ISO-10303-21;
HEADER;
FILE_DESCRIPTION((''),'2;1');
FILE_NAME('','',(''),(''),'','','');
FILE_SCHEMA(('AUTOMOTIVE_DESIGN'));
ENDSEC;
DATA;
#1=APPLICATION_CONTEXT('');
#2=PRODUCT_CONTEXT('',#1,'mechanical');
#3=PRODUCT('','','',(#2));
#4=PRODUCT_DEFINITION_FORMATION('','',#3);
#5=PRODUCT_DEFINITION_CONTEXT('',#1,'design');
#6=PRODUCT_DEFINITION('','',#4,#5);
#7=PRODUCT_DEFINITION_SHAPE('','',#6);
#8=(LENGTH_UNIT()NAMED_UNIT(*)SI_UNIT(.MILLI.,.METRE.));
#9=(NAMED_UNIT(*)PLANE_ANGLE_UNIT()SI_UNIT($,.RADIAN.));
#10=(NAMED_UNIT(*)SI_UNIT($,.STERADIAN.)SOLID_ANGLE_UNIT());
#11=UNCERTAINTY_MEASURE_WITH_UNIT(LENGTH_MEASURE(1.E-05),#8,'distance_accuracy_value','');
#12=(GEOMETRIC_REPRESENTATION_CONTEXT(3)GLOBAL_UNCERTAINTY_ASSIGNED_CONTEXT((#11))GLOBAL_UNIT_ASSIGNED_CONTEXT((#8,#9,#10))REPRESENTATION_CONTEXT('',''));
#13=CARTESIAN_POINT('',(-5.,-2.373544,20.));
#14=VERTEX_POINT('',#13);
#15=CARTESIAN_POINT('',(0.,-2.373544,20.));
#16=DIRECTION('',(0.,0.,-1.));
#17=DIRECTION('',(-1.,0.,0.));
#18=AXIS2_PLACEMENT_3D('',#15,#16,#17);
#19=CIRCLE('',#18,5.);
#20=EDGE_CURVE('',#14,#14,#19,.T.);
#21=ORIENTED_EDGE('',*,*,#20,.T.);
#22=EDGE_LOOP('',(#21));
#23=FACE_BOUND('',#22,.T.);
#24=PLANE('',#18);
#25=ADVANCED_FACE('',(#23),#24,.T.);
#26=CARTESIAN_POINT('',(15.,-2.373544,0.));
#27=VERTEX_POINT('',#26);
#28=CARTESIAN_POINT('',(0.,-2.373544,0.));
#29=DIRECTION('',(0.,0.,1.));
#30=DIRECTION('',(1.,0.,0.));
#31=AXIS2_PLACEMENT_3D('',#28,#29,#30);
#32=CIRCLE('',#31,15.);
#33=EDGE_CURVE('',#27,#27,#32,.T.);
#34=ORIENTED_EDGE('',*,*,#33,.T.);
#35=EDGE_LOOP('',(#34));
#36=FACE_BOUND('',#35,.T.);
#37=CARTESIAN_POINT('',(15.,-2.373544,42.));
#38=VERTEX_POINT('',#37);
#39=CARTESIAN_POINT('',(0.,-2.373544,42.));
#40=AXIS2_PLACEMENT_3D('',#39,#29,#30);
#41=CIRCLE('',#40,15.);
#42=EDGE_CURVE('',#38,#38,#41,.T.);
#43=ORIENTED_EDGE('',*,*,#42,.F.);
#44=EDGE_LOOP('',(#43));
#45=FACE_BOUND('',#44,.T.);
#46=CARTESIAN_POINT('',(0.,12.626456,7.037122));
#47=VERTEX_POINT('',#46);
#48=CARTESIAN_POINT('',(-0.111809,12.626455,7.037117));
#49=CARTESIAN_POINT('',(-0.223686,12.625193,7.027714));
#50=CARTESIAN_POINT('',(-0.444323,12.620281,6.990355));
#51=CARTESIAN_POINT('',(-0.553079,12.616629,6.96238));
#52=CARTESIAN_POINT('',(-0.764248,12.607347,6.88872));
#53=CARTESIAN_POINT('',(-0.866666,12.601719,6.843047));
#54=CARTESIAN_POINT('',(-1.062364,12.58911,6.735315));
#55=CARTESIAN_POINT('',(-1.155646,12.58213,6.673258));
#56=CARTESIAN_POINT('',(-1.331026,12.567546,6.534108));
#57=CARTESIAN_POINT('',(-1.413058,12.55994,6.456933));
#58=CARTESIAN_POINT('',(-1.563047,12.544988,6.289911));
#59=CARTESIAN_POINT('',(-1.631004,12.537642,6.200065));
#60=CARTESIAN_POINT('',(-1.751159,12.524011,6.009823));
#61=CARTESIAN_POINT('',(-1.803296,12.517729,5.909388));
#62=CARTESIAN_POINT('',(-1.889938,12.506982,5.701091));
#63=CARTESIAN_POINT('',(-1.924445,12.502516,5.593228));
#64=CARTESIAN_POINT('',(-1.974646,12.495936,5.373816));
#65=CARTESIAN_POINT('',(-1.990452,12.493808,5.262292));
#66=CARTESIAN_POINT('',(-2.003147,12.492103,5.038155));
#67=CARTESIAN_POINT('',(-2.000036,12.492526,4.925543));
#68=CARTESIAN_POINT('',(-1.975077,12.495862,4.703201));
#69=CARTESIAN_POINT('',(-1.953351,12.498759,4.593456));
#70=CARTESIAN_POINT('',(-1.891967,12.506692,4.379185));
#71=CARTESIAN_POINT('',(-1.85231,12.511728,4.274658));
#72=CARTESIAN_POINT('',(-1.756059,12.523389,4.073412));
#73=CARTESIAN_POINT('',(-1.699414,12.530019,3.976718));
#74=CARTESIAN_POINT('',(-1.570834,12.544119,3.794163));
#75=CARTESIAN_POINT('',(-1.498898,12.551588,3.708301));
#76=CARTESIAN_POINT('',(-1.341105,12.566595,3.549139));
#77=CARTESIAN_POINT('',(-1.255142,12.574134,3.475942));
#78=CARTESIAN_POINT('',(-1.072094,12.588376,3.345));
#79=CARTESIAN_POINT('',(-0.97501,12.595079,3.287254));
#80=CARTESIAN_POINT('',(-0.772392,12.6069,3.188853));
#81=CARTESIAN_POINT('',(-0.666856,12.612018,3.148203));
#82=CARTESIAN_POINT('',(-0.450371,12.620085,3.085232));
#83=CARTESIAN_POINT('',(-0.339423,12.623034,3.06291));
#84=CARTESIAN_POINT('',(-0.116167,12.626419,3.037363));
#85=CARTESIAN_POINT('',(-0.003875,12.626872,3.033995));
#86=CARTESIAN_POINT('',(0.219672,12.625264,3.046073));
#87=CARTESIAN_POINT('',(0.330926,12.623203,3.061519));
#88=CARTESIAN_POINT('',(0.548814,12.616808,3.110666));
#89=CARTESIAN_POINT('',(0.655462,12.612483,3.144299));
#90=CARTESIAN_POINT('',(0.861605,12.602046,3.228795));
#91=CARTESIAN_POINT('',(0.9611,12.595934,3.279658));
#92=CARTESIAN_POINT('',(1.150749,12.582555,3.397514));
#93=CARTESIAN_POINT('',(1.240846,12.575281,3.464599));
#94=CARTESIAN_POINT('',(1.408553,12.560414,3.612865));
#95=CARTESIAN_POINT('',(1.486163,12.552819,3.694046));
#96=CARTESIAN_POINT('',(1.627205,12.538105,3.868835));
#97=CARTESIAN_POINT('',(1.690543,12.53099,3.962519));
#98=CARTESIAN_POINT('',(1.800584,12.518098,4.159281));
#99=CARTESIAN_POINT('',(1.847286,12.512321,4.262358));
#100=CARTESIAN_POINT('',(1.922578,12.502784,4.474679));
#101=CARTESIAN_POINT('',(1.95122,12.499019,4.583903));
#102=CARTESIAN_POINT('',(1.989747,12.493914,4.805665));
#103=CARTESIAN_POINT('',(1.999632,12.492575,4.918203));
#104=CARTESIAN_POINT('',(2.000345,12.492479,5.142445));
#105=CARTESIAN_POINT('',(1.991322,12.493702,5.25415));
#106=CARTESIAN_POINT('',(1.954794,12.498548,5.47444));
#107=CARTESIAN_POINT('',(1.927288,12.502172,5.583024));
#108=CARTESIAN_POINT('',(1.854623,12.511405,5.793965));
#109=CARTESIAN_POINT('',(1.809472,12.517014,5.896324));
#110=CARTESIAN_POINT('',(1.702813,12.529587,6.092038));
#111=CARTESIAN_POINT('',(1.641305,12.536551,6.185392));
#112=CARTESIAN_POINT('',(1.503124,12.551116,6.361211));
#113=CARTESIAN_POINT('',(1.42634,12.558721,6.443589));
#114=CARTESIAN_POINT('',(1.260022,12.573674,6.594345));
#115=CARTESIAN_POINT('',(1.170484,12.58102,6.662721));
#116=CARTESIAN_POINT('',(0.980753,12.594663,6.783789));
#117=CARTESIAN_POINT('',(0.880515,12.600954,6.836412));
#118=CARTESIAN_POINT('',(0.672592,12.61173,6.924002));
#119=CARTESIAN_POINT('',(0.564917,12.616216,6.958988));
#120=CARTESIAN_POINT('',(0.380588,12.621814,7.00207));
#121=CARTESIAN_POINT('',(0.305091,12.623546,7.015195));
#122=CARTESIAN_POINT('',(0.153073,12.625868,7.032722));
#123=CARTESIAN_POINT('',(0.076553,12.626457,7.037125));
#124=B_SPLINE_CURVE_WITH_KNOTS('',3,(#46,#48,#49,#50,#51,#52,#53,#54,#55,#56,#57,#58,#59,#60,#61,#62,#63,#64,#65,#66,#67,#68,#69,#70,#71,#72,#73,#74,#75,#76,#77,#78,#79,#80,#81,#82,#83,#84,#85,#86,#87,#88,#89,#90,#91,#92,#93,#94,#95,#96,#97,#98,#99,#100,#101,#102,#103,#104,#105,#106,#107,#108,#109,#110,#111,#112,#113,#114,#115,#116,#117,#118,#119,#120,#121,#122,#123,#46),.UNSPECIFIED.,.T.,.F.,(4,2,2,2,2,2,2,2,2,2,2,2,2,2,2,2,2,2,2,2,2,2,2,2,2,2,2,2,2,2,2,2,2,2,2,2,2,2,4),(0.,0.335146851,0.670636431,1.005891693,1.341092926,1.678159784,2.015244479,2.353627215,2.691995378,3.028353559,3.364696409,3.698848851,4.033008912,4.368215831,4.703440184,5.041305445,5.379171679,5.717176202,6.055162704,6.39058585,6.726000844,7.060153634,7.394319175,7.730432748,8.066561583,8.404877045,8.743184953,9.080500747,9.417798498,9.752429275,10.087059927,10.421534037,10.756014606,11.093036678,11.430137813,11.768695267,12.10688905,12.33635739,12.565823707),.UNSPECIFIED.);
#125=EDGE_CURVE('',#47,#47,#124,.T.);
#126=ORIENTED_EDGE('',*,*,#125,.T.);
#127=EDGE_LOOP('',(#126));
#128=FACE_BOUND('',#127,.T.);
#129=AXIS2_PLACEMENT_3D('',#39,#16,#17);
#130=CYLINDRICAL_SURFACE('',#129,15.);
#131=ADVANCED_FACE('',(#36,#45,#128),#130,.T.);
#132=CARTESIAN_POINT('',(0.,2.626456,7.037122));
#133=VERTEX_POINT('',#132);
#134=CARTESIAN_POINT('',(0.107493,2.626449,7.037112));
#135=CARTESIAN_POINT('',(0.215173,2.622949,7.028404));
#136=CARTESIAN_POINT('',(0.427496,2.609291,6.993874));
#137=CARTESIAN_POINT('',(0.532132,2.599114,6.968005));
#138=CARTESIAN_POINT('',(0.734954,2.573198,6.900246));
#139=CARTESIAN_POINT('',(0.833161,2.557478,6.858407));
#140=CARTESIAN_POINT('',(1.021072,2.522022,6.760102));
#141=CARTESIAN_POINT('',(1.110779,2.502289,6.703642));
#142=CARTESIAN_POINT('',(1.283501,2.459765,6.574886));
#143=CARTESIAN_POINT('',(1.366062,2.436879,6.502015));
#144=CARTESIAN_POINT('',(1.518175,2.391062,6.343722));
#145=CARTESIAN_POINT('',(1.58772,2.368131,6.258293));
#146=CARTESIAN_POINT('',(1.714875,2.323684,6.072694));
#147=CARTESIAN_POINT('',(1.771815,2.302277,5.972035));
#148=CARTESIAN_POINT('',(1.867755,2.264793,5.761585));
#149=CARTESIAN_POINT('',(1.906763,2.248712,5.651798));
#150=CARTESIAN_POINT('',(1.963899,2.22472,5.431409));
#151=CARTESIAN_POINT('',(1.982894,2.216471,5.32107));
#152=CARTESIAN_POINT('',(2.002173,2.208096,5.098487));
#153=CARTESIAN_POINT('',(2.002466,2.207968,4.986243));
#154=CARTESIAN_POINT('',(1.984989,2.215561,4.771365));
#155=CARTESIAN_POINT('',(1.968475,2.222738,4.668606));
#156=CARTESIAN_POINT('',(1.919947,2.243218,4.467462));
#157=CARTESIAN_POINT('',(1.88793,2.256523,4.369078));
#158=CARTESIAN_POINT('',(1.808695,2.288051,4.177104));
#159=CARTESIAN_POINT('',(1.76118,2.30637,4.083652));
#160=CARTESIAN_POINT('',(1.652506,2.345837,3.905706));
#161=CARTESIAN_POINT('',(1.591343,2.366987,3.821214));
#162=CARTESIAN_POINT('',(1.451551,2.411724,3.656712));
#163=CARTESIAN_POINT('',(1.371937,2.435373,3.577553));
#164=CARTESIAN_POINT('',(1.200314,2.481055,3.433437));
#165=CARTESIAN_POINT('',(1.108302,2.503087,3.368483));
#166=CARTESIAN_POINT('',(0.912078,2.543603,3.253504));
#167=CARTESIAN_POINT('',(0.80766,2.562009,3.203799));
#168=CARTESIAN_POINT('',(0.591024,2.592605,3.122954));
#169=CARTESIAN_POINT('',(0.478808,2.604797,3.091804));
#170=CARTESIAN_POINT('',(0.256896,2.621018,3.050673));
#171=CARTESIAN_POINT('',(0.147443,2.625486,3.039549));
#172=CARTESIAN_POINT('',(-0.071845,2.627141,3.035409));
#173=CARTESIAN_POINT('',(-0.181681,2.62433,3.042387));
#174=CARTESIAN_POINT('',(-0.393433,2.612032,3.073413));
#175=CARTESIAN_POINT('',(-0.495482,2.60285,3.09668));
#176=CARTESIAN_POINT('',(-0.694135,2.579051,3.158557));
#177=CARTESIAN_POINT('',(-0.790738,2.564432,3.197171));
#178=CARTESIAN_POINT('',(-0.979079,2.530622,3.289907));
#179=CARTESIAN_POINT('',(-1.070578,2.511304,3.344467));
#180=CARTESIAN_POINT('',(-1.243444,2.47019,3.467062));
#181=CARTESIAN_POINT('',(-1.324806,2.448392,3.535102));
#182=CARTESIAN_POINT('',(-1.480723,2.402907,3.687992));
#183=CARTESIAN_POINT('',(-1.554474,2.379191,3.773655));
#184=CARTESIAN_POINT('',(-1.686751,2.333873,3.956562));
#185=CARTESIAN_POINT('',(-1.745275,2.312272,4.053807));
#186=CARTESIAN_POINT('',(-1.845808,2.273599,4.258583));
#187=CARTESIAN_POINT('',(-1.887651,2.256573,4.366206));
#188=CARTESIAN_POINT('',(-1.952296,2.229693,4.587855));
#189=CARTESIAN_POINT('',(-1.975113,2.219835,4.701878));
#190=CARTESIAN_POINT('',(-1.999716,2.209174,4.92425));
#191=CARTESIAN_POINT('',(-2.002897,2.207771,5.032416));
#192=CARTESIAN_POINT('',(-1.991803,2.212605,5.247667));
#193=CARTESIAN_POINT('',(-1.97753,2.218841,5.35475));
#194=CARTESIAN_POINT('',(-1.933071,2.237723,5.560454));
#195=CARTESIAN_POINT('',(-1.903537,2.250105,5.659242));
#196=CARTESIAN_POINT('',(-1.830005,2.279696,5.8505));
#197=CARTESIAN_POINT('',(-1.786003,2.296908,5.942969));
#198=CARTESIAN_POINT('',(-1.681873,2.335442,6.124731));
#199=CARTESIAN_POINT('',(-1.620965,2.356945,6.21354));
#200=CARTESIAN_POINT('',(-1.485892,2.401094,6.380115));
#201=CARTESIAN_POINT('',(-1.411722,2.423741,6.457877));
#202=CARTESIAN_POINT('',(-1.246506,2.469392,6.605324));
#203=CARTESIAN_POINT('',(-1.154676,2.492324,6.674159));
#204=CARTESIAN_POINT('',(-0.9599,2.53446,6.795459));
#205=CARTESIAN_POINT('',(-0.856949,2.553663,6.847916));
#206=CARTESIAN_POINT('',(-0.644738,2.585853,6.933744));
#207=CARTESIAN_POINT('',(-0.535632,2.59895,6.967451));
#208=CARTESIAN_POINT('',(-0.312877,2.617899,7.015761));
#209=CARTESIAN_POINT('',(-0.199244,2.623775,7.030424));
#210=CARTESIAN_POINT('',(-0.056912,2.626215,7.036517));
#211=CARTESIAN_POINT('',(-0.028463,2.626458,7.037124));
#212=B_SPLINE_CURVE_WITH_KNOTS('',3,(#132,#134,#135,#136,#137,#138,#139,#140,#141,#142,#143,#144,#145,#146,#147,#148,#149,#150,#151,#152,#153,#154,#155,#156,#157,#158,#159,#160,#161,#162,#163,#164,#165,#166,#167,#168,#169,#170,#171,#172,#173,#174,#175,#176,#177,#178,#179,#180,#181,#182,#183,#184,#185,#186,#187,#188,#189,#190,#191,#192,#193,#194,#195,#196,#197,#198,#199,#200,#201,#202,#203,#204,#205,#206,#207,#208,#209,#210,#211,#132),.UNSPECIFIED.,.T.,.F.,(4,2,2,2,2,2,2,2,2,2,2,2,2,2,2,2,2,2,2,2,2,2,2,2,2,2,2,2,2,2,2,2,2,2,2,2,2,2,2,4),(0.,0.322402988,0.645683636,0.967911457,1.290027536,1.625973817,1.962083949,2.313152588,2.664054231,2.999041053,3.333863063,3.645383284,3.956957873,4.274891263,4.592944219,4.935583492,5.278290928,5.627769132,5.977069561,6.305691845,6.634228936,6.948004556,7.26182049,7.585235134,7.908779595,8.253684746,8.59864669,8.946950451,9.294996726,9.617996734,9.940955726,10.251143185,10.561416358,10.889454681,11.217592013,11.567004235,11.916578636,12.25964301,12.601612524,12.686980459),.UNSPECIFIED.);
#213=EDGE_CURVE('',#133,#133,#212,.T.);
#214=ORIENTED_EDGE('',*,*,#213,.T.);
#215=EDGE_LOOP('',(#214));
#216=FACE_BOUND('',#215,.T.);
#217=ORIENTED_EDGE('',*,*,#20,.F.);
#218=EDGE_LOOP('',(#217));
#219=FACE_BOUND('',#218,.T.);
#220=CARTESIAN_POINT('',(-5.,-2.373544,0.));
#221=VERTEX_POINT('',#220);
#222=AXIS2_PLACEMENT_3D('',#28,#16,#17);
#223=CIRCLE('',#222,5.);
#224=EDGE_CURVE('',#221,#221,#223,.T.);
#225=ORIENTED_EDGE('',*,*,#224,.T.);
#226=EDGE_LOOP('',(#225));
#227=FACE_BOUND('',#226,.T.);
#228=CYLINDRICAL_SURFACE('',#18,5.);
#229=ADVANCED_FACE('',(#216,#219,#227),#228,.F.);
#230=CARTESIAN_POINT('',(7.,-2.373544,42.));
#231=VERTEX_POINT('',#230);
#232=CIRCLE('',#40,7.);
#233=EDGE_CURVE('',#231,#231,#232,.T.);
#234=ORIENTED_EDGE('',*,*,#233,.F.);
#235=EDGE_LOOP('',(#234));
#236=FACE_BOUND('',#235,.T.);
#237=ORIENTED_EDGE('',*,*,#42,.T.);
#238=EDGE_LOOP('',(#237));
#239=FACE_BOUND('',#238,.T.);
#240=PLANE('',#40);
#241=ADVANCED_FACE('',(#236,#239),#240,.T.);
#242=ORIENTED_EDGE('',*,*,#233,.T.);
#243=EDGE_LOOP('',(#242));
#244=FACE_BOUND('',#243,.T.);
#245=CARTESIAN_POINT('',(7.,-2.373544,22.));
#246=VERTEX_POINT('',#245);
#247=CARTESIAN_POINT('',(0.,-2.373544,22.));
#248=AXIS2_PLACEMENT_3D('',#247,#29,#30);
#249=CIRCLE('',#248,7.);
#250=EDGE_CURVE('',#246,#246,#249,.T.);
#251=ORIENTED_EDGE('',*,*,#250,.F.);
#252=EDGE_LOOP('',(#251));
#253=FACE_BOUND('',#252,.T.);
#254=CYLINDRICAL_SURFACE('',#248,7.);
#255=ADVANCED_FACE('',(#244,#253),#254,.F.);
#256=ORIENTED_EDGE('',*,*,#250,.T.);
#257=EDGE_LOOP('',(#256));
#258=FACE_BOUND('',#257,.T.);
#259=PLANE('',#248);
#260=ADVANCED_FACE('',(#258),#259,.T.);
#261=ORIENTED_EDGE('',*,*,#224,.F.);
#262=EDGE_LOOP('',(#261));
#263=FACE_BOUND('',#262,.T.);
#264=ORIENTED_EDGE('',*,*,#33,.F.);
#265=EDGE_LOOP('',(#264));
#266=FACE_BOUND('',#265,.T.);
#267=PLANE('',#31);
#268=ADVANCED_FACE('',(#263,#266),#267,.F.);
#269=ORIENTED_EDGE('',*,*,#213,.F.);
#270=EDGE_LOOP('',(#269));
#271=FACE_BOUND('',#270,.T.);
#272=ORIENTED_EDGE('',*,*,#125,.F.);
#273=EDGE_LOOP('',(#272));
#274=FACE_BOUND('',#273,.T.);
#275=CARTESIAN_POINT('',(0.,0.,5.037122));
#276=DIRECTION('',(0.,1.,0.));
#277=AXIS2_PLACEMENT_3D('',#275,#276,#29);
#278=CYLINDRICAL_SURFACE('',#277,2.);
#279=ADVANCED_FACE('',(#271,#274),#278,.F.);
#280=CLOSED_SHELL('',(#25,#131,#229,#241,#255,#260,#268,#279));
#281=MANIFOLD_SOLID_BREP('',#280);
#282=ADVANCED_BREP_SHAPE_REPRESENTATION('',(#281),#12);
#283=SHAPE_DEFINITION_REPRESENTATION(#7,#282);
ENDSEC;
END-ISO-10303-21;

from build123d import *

# Parameters (mm, degrees)
SKETCH_1_R               = 15
EXTRUDE_1_DEPTH          = 42
SKETCH_2_R               = 7
CUT_EXTRUDE_1_DEPTH      = 20
SKETCH_3_R               = 5
CUT_EXTRUDE_2_DEPTH      = 20
SKETCH_5_R               = 2
CUT_EXTRUDE_3_DEPTH      = 20
CUT_EXTRUDE_3_DEPTH_BACK = 10


with BuildPart() as part:
    # 草图1 → 凸台-拉伸1 (new body)
    with BuildSketch(Plane.XY):
        with Locations((0, -2.373543689)):
            Circle(SKETCH_1_R)
    extrude(amount=EXTRUDE_1_DEPTH)

    # 草图2 → 切除-拉伸1 (cut)
    with BuildSketch(Plane.XY.offset(42)):
        with Locations((0, -2.373543689)):
            Circle(SKETCH_2_R)
    extrude(amount=-CUT_EXTRUDE_1_DEPTH, mode=Mode.SUBTRACT)

    # 草图3 → 切除-拉伸2 (cut)
    with BuildSketch(Plane(origin=(0, 0, 0), x_dir=(-1, 0, 0), z_dir=(0, 0, -1))):
        with Locations((0, -2.373543689)):
            Circle(SKETCH_3_R)
    extrude(amount=-CUT_EXTRUDE_2_DEPTH, mode=Mode.SUBTRACT)

    # 草图5 → 切除-拉伸3 (cut, two sides)
    with BuildSketch(Plane(origin=(0, 10, 0), x_dir=(1, 0, 0), z_dir=(0, 1, 0))) as cut_extrude_3_sk:
        with Locations((0, -5.037121645)):
            Circle(SKETCH_5_R)
    extrude(amount=CUT_EXTRUDE_3_DEPTH, mode=Mode.SUBTRACT)
    extrude(cut_extrude_3_sk.sketch, amount=-CUT_EXTRUDE_3_DEPTH_BACK, mode=Mode.SUBTRACT)


solid = part.part
